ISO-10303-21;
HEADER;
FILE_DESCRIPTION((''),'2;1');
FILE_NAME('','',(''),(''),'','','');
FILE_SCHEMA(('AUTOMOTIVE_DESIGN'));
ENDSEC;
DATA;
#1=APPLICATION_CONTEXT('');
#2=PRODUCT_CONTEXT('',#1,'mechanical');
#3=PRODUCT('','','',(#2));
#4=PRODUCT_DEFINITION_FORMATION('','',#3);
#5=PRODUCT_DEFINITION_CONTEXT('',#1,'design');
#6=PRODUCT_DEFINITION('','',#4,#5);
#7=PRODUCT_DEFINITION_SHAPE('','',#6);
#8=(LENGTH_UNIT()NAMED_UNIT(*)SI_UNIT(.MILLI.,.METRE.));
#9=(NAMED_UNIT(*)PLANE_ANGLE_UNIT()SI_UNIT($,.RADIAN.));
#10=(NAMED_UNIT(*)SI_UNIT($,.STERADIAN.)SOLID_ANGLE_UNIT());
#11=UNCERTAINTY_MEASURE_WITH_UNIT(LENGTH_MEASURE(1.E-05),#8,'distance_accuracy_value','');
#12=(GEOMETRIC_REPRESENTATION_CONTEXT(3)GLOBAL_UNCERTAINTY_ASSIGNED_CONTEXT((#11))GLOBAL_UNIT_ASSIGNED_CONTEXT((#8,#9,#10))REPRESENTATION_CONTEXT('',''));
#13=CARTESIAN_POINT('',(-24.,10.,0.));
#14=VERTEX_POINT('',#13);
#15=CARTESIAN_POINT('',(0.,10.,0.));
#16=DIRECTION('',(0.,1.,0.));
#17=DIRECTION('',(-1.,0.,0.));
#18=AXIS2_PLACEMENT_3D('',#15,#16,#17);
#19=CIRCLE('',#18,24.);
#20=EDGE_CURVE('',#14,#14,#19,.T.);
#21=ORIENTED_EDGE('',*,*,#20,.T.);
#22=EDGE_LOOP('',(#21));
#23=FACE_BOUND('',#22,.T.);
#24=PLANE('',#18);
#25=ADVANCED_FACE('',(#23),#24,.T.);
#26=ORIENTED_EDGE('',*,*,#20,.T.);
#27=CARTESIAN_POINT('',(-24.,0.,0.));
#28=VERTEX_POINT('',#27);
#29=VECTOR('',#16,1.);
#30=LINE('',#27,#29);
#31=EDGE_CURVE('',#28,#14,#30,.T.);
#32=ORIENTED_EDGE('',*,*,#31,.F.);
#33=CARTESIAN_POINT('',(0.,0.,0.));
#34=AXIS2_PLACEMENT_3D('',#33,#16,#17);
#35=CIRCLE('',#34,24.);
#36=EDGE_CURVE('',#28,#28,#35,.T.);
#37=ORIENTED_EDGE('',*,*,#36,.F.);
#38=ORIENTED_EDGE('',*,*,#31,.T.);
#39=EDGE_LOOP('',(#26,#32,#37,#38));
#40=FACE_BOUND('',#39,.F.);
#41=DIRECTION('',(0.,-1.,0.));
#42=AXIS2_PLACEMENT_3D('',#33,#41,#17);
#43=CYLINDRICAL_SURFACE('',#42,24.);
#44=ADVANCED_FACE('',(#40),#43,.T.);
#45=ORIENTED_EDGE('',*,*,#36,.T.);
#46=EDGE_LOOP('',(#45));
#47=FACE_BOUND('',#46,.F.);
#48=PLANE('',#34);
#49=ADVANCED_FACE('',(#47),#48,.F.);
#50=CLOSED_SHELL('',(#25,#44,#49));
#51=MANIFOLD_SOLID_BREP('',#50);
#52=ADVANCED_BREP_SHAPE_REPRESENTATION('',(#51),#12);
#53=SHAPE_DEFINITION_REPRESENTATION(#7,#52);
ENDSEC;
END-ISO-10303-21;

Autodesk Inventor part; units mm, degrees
ref_plane "YZ Plane" through (0, 0, 0) normal (1, 0, 0) x (0, 1, 0)
ref_plane "XZ Plane" through (0, 0, 0) normal (0, 1, 0) x (-1, 0, 0)
ref_plane "XY Plane" through (0, 0, 0) normal (0, 0, 1) x (1, 0, 0)
sketch "Boceto1" plane through (0, 0, 0) normal (0, 1, 0) x (-1, 0, 0)
  circle A0 centre (0, 0) radius 24
  dimension "d0" = 48
extrude "Extrusión1" add sketch "Boceto1" along normal blind 10
